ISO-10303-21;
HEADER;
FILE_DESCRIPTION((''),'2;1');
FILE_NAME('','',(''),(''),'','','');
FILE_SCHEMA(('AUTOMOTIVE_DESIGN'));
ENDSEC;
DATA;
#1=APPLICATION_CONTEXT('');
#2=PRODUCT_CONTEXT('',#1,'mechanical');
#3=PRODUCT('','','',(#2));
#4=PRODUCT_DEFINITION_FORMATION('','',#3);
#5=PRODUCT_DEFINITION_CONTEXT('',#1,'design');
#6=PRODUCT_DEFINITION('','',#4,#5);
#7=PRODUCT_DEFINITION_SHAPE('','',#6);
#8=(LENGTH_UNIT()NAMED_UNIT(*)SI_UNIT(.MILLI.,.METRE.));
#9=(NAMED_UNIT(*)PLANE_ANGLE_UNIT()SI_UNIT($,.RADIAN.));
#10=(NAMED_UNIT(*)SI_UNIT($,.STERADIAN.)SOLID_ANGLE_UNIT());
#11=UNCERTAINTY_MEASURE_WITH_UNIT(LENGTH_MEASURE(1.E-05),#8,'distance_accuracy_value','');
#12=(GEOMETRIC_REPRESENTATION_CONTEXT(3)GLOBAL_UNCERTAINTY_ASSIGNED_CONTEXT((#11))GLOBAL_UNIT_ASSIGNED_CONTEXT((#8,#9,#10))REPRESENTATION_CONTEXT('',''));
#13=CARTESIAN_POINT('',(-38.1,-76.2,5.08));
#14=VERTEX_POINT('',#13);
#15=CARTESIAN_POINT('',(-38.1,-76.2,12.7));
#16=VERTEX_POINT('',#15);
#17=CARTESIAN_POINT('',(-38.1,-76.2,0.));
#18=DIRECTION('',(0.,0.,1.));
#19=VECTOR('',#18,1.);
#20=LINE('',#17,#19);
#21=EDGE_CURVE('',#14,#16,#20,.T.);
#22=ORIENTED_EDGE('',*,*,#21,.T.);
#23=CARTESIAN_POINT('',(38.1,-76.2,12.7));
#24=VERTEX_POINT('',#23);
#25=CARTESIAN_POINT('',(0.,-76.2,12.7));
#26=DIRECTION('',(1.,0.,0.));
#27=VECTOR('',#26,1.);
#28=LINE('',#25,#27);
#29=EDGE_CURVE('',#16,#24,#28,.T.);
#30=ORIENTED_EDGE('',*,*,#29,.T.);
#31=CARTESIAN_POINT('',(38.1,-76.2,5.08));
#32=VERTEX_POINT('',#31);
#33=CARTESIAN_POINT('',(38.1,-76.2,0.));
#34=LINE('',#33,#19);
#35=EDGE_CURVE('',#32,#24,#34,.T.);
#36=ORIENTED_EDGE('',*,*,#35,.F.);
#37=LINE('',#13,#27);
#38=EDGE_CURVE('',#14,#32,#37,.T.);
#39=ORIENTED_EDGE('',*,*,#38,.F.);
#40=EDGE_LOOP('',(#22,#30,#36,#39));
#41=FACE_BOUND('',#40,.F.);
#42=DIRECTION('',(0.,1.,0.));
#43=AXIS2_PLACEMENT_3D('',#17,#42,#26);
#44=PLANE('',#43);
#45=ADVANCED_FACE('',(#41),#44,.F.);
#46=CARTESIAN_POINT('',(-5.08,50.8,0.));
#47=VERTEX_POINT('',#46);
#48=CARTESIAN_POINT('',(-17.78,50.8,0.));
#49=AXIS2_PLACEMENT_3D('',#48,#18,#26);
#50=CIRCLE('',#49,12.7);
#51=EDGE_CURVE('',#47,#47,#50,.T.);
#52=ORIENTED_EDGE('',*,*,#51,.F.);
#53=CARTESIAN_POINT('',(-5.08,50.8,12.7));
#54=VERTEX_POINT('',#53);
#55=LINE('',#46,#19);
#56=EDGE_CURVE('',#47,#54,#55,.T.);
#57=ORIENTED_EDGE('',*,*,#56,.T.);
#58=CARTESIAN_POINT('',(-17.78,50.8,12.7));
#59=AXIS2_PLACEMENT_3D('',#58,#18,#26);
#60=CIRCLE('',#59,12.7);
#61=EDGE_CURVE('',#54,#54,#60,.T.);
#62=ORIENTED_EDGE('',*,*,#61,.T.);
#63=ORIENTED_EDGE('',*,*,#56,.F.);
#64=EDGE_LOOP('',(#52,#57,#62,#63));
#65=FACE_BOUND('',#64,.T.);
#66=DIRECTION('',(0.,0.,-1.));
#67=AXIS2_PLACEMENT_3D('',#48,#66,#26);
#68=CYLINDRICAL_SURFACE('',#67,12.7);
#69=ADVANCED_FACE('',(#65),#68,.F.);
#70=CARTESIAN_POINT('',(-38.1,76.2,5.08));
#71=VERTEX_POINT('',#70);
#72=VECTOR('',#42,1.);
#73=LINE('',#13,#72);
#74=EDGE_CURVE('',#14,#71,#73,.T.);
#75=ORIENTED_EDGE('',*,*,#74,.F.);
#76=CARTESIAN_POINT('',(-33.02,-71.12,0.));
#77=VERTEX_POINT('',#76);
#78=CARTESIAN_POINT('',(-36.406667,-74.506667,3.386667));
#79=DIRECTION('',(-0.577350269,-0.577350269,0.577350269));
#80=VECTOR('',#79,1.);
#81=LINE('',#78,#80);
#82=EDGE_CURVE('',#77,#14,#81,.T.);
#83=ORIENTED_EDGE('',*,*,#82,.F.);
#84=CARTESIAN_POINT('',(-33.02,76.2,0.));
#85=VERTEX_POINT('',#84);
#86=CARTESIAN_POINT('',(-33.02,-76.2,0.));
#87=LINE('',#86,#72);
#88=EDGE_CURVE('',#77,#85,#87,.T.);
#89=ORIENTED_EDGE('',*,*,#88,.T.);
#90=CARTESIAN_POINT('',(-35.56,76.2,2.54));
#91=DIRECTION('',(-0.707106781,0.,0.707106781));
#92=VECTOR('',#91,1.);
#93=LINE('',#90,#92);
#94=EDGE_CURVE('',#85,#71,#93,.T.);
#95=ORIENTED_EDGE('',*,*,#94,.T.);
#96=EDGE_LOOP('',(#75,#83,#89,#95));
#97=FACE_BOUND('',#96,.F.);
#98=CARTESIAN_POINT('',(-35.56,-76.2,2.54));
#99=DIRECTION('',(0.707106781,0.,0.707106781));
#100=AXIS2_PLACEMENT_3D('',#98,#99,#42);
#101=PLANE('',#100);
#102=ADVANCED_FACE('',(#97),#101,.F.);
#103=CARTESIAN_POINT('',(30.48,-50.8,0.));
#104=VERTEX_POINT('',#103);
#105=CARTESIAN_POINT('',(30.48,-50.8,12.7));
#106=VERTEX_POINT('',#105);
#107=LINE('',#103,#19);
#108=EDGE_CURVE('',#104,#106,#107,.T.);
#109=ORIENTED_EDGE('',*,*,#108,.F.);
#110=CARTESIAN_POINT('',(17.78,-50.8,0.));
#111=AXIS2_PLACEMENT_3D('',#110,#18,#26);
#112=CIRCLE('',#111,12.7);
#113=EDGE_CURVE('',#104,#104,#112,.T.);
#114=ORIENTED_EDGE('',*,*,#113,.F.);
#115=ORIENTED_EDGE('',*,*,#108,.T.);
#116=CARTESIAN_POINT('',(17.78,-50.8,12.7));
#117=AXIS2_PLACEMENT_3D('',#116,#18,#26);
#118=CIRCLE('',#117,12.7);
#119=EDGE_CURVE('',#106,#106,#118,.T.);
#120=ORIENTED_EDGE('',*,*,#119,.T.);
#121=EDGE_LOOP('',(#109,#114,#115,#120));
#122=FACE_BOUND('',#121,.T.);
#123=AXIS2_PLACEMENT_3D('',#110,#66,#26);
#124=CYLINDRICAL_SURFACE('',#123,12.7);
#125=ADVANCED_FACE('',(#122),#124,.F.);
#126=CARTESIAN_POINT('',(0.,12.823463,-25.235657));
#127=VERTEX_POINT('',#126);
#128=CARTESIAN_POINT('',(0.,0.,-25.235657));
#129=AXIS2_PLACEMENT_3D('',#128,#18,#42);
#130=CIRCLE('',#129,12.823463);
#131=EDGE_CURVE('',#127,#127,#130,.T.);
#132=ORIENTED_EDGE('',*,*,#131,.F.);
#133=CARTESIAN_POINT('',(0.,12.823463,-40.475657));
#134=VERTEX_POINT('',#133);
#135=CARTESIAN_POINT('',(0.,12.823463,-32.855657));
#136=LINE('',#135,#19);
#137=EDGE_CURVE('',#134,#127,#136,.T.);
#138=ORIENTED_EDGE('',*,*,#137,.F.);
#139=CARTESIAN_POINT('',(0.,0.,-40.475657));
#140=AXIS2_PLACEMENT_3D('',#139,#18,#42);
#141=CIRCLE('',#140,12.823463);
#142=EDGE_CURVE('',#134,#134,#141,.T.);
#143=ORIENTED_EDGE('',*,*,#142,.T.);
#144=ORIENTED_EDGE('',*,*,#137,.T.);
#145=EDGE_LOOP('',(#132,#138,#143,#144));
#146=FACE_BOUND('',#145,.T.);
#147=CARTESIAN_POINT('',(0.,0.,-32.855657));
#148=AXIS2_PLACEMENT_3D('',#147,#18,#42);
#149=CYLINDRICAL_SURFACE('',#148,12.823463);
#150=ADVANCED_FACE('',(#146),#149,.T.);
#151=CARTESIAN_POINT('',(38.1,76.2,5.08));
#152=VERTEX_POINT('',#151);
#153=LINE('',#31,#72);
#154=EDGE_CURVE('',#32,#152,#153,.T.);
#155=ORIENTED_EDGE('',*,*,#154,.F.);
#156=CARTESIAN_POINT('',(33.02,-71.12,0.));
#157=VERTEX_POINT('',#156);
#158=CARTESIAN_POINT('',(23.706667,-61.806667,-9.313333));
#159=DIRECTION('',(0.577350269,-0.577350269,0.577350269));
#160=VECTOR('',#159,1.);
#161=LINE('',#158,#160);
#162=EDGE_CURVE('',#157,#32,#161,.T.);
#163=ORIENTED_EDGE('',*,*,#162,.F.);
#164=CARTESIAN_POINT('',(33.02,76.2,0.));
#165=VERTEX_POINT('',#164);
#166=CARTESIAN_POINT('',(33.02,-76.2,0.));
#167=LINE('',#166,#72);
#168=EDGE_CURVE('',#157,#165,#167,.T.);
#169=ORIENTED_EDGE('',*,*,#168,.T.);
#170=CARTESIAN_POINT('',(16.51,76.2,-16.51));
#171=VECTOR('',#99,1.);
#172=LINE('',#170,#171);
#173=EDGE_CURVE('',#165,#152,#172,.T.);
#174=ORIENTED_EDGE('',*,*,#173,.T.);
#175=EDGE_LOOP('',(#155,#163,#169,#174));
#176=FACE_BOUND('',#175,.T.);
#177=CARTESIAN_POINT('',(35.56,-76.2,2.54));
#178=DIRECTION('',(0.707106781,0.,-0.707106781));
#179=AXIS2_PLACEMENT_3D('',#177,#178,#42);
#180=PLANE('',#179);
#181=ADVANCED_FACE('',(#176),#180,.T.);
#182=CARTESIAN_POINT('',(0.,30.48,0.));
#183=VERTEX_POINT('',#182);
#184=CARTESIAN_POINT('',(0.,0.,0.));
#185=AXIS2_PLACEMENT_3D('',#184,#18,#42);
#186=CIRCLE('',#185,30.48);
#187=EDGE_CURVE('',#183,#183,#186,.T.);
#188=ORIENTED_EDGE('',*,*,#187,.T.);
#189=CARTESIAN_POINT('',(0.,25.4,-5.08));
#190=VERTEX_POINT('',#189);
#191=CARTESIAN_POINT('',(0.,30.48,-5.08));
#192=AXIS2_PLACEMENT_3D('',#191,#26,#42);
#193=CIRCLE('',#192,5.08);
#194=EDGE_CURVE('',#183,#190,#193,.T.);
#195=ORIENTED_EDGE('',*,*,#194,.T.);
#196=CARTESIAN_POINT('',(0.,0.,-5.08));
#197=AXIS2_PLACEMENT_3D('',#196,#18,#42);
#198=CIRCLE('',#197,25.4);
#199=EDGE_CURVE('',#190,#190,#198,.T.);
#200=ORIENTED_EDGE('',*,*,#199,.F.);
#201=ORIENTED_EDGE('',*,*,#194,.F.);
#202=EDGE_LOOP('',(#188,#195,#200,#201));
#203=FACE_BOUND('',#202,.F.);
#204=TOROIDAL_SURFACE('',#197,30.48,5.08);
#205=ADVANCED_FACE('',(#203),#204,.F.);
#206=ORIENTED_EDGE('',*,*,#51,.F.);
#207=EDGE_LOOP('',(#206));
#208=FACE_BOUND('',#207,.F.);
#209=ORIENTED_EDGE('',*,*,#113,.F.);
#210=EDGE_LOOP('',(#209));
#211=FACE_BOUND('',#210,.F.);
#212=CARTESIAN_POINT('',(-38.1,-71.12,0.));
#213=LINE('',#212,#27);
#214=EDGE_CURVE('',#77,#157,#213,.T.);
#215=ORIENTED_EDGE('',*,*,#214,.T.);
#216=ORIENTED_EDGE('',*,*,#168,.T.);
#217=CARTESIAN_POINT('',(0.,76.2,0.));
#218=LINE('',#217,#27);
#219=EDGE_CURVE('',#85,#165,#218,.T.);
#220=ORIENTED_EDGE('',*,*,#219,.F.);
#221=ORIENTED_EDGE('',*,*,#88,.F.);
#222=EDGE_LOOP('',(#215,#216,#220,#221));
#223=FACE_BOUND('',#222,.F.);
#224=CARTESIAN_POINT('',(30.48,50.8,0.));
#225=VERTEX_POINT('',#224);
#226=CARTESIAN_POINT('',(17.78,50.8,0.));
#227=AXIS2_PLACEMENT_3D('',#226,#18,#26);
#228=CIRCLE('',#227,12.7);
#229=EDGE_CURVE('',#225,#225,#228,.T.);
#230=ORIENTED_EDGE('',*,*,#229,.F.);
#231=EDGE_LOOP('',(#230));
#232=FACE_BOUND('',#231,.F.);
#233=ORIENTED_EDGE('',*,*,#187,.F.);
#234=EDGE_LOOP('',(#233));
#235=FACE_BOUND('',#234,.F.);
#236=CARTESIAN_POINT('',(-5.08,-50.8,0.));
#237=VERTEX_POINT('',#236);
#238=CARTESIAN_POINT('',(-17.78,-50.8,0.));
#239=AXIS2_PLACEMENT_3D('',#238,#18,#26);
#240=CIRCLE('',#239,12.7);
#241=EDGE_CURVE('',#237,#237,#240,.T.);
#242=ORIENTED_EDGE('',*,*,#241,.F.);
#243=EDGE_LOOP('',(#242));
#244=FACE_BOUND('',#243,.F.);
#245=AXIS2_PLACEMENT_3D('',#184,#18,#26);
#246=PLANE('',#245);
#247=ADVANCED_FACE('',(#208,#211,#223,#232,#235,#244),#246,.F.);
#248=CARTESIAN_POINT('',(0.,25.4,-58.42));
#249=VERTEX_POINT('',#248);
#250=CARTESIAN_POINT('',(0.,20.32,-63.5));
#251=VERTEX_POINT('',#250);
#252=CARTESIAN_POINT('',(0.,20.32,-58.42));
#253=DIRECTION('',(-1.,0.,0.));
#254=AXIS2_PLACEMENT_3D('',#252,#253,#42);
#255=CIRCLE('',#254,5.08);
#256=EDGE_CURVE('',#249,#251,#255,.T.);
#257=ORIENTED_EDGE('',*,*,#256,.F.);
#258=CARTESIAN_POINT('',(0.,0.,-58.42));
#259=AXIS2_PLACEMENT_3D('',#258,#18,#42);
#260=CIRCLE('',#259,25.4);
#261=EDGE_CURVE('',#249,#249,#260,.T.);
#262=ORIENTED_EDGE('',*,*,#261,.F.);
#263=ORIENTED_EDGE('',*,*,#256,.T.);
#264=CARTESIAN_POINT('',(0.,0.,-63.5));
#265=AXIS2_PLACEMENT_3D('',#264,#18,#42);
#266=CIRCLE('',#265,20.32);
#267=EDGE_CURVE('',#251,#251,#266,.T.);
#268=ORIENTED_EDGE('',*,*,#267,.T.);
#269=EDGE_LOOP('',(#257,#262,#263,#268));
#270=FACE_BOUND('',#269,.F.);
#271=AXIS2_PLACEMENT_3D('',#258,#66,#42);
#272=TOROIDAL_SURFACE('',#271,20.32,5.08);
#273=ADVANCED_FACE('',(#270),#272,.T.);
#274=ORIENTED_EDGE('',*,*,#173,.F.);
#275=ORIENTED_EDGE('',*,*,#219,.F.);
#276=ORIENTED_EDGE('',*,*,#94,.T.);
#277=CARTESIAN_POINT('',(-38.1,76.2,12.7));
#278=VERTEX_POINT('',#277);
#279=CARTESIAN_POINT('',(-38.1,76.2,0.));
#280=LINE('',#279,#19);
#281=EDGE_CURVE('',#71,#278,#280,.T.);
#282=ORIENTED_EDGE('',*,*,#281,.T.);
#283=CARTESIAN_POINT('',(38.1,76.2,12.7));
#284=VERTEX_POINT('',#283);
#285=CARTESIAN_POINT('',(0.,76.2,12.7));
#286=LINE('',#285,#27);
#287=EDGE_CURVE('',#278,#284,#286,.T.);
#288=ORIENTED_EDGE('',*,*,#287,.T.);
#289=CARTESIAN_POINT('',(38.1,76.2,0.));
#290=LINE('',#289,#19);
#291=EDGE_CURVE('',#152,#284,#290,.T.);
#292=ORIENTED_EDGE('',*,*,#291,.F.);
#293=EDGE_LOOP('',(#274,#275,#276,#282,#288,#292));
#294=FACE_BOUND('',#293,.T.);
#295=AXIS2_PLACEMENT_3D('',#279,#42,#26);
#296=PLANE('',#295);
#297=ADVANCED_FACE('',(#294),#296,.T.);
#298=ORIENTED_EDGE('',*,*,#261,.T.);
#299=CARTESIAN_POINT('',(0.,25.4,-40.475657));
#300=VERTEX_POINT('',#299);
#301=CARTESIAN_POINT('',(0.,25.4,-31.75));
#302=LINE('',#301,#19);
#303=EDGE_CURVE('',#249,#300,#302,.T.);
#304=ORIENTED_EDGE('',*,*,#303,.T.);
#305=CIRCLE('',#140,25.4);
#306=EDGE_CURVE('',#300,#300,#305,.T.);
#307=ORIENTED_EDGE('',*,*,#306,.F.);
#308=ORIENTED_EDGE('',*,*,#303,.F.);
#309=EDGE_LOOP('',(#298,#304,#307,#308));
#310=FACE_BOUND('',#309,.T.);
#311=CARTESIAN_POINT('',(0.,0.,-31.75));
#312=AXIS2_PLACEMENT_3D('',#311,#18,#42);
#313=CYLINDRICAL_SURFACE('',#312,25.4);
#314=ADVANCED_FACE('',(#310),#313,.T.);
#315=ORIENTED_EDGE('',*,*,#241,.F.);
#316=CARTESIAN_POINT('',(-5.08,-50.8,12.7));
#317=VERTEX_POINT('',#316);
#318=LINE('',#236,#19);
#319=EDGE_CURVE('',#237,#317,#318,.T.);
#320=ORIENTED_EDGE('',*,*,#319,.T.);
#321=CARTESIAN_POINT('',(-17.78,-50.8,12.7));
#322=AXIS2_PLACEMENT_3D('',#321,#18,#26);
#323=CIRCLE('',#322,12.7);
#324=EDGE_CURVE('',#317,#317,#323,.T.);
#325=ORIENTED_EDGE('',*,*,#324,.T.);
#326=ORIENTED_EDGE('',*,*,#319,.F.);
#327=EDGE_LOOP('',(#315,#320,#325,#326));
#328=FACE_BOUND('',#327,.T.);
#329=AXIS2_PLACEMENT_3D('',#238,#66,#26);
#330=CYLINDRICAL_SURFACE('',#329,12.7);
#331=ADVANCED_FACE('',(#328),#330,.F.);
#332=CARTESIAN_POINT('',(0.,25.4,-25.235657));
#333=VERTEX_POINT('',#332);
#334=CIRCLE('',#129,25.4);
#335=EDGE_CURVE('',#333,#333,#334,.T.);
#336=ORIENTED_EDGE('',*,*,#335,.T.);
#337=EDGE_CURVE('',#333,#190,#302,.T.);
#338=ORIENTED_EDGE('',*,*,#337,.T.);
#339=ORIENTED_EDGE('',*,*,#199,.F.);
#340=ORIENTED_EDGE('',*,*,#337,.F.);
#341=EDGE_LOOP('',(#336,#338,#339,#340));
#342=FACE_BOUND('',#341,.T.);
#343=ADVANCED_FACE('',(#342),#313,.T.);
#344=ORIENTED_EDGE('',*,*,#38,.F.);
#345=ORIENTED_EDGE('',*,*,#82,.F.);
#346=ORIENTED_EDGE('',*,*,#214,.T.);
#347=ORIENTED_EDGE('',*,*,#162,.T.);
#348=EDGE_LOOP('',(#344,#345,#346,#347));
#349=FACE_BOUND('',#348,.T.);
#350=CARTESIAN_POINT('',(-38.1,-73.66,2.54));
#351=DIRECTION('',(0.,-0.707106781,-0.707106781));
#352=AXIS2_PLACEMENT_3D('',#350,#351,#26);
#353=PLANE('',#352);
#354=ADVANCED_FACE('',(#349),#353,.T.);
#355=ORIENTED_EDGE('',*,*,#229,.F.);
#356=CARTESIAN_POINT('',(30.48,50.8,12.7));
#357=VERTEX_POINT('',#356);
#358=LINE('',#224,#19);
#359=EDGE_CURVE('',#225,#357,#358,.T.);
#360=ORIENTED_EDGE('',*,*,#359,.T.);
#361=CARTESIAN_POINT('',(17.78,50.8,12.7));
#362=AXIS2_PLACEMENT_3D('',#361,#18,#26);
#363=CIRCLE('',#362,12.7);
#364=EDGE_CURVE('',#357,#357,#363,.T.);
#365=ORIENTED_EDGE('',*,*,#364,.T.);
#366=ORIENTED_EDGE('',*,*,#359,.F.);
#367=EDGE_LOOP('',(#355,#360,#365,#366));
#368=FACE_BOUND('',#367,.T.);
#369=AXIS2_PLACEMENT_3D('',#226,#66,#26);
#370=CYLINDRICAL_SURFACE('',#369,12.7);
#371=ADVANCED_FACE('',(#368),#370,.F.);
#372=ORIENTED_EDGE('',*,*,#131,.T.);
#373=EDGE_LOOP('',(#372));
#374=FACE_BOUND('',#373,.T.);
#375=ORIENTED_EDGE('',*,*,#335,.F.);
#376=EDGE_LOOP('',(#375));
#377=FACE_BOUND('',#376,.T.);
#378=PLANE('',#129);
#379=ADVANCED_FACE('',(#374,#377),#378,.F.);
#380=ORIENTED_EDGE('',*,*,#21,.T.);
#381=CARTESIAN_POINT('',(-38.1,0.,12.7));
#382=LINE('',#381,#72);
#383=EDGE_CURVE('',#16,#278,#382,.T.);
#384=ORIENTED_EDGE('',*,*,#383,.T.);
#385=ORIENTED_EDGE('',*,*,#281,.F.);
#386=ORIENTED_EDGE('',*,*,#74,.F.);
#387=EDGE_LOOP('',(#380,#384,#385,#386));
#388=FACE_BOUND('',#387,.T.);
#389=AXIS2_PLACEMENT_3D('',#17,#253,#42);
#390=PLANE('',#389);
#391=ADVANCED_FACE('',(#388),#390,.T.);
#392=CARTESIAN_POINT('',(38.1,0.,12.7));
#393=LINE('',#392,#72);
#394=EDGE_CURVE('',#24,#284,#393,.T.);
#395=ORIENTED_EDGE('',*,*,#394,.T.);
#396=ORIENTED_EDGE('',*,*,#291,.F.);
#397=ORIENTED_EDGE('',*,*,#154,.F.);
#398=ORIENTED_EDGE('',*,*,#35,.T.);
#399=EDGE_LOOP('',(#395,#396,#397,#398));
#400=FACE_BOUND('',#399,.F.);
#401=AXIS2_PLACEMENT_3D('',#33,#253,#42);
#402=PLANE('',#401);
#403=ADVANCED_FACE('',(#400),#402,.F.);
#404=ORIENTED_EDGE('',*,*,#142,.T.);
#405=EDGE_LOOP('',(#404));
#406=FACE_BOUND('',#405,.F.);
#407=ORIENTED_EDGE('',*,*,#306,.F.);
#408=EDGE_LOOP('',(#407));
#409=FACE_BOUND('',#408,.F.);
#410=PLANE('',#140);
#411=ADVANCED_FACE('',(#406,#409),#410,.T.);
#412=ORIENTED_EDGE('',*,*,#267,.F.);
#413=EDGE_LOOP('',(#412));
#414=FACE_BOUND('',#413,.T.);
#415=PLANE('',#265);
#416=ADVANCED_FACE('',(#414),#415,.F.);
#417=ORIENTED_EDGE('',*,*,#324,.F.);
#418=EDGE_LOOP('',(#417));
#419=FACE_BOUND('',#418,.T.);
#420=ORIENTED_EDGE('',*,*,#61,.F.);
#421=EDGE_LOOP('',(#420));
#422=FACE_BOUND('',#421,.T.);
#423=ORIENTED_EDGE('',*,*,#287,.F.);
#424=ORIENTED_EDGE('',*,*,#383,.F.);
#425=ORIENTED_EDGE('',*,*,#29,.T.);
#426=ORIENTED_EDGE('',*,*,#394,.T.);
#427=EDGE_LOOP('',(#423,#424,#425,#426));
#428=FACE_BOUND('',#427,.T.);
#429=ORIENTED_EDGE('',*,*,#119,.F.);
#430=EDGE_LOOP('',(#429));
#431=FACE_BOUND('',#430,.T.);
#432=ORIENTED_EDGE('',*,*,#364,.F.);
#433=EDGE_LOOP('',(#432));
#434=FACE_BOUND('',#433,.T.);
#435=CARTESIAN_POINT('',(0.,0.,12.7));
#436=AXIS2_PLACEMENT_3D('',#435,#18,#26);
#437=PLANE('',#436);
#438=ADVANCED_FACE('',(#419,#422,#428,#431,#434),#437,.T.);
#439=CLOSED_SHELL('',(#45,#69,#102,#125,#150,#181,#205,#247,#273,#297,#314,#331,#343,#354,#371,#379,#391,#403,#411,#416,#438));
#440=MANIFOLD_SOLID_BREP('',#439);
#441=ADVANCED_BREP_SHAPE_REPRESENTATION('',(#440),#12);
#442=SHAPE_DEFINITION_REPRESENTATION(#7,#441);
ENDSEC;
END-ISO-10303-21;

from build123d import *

# Parameters (mm, degrees)
F0_W     = 76.2
F0_H     = 152.4
F1_DEPTH = 12.7
F2_R     = 12.7
F3_DEPTH = 12.7
F4_W     = 25.4
F4_H     = 63.5
F6_W     = 17.78
F6_H     = 15.24
F8_R     = 5.08
F9_SIZE  = 5.08


with BuildPart() as f1:
    # F0 (on Top) → F1 (new body)
    with BuildSketch(Plane.XY):
        Rectangle(F0_W, F0_H)
    extrude(amount=F1_DEPTH)

    # F2 (on Top) → F3 (cut, through all)
    with BuildSketch(Plane.XY):
        with Locations((-17.78, 50.8)):
            Circle(F2_R)
        with Locations((17.78, 50.8)):
            Circle(F2_R)
        with Locations((-17.78, -50.8)):
            Circle(F2_R)
        with Locations((17.78, -50.8)):
            Circle(F2_R)
    extrude(amount=F3_DEPTH, mode=Mode.SUBTRACT)

    # F4 (on Right) → F5 (revolve)
    with BuildSketch(Plane.YZ):
        with Locations((12.7, -31.75)):
            Rectangle(F4_W, F4_H)
    revolve(axis=Axis((0, 0, -31.75), (0, 0, 1)))

    # F6 (on Right) → F7 (revolve, cut)
    with BuildSketch(Plane.YZ):
        with Locations((21.713463, -32.855657)):
            Rectangle(F6_W, F6_H)
    revolve(axis=Axis((0, 0, -63.5), (0, 0, 1)), mode=Mode.SUBTRACT)

    # F8
    f8_edges = [f1.edges().sort_by_distance(p)[0] for p in [
        (0, -25.4, -63.5),
        (0, -25.4, 0),
    ]]
    fillet(f8_edges, radius=F8_R)

    # F9
    f9_edges = [f1.edges().sort_by_distance(p)[0] for p in [
        (-38.1, 0, 0),
        (0, -76.2, 0),
        (38.1, 0, 0),
    ]]
    chamfer(f9_edges, length=F9_SIZE)


solid = f1.part
